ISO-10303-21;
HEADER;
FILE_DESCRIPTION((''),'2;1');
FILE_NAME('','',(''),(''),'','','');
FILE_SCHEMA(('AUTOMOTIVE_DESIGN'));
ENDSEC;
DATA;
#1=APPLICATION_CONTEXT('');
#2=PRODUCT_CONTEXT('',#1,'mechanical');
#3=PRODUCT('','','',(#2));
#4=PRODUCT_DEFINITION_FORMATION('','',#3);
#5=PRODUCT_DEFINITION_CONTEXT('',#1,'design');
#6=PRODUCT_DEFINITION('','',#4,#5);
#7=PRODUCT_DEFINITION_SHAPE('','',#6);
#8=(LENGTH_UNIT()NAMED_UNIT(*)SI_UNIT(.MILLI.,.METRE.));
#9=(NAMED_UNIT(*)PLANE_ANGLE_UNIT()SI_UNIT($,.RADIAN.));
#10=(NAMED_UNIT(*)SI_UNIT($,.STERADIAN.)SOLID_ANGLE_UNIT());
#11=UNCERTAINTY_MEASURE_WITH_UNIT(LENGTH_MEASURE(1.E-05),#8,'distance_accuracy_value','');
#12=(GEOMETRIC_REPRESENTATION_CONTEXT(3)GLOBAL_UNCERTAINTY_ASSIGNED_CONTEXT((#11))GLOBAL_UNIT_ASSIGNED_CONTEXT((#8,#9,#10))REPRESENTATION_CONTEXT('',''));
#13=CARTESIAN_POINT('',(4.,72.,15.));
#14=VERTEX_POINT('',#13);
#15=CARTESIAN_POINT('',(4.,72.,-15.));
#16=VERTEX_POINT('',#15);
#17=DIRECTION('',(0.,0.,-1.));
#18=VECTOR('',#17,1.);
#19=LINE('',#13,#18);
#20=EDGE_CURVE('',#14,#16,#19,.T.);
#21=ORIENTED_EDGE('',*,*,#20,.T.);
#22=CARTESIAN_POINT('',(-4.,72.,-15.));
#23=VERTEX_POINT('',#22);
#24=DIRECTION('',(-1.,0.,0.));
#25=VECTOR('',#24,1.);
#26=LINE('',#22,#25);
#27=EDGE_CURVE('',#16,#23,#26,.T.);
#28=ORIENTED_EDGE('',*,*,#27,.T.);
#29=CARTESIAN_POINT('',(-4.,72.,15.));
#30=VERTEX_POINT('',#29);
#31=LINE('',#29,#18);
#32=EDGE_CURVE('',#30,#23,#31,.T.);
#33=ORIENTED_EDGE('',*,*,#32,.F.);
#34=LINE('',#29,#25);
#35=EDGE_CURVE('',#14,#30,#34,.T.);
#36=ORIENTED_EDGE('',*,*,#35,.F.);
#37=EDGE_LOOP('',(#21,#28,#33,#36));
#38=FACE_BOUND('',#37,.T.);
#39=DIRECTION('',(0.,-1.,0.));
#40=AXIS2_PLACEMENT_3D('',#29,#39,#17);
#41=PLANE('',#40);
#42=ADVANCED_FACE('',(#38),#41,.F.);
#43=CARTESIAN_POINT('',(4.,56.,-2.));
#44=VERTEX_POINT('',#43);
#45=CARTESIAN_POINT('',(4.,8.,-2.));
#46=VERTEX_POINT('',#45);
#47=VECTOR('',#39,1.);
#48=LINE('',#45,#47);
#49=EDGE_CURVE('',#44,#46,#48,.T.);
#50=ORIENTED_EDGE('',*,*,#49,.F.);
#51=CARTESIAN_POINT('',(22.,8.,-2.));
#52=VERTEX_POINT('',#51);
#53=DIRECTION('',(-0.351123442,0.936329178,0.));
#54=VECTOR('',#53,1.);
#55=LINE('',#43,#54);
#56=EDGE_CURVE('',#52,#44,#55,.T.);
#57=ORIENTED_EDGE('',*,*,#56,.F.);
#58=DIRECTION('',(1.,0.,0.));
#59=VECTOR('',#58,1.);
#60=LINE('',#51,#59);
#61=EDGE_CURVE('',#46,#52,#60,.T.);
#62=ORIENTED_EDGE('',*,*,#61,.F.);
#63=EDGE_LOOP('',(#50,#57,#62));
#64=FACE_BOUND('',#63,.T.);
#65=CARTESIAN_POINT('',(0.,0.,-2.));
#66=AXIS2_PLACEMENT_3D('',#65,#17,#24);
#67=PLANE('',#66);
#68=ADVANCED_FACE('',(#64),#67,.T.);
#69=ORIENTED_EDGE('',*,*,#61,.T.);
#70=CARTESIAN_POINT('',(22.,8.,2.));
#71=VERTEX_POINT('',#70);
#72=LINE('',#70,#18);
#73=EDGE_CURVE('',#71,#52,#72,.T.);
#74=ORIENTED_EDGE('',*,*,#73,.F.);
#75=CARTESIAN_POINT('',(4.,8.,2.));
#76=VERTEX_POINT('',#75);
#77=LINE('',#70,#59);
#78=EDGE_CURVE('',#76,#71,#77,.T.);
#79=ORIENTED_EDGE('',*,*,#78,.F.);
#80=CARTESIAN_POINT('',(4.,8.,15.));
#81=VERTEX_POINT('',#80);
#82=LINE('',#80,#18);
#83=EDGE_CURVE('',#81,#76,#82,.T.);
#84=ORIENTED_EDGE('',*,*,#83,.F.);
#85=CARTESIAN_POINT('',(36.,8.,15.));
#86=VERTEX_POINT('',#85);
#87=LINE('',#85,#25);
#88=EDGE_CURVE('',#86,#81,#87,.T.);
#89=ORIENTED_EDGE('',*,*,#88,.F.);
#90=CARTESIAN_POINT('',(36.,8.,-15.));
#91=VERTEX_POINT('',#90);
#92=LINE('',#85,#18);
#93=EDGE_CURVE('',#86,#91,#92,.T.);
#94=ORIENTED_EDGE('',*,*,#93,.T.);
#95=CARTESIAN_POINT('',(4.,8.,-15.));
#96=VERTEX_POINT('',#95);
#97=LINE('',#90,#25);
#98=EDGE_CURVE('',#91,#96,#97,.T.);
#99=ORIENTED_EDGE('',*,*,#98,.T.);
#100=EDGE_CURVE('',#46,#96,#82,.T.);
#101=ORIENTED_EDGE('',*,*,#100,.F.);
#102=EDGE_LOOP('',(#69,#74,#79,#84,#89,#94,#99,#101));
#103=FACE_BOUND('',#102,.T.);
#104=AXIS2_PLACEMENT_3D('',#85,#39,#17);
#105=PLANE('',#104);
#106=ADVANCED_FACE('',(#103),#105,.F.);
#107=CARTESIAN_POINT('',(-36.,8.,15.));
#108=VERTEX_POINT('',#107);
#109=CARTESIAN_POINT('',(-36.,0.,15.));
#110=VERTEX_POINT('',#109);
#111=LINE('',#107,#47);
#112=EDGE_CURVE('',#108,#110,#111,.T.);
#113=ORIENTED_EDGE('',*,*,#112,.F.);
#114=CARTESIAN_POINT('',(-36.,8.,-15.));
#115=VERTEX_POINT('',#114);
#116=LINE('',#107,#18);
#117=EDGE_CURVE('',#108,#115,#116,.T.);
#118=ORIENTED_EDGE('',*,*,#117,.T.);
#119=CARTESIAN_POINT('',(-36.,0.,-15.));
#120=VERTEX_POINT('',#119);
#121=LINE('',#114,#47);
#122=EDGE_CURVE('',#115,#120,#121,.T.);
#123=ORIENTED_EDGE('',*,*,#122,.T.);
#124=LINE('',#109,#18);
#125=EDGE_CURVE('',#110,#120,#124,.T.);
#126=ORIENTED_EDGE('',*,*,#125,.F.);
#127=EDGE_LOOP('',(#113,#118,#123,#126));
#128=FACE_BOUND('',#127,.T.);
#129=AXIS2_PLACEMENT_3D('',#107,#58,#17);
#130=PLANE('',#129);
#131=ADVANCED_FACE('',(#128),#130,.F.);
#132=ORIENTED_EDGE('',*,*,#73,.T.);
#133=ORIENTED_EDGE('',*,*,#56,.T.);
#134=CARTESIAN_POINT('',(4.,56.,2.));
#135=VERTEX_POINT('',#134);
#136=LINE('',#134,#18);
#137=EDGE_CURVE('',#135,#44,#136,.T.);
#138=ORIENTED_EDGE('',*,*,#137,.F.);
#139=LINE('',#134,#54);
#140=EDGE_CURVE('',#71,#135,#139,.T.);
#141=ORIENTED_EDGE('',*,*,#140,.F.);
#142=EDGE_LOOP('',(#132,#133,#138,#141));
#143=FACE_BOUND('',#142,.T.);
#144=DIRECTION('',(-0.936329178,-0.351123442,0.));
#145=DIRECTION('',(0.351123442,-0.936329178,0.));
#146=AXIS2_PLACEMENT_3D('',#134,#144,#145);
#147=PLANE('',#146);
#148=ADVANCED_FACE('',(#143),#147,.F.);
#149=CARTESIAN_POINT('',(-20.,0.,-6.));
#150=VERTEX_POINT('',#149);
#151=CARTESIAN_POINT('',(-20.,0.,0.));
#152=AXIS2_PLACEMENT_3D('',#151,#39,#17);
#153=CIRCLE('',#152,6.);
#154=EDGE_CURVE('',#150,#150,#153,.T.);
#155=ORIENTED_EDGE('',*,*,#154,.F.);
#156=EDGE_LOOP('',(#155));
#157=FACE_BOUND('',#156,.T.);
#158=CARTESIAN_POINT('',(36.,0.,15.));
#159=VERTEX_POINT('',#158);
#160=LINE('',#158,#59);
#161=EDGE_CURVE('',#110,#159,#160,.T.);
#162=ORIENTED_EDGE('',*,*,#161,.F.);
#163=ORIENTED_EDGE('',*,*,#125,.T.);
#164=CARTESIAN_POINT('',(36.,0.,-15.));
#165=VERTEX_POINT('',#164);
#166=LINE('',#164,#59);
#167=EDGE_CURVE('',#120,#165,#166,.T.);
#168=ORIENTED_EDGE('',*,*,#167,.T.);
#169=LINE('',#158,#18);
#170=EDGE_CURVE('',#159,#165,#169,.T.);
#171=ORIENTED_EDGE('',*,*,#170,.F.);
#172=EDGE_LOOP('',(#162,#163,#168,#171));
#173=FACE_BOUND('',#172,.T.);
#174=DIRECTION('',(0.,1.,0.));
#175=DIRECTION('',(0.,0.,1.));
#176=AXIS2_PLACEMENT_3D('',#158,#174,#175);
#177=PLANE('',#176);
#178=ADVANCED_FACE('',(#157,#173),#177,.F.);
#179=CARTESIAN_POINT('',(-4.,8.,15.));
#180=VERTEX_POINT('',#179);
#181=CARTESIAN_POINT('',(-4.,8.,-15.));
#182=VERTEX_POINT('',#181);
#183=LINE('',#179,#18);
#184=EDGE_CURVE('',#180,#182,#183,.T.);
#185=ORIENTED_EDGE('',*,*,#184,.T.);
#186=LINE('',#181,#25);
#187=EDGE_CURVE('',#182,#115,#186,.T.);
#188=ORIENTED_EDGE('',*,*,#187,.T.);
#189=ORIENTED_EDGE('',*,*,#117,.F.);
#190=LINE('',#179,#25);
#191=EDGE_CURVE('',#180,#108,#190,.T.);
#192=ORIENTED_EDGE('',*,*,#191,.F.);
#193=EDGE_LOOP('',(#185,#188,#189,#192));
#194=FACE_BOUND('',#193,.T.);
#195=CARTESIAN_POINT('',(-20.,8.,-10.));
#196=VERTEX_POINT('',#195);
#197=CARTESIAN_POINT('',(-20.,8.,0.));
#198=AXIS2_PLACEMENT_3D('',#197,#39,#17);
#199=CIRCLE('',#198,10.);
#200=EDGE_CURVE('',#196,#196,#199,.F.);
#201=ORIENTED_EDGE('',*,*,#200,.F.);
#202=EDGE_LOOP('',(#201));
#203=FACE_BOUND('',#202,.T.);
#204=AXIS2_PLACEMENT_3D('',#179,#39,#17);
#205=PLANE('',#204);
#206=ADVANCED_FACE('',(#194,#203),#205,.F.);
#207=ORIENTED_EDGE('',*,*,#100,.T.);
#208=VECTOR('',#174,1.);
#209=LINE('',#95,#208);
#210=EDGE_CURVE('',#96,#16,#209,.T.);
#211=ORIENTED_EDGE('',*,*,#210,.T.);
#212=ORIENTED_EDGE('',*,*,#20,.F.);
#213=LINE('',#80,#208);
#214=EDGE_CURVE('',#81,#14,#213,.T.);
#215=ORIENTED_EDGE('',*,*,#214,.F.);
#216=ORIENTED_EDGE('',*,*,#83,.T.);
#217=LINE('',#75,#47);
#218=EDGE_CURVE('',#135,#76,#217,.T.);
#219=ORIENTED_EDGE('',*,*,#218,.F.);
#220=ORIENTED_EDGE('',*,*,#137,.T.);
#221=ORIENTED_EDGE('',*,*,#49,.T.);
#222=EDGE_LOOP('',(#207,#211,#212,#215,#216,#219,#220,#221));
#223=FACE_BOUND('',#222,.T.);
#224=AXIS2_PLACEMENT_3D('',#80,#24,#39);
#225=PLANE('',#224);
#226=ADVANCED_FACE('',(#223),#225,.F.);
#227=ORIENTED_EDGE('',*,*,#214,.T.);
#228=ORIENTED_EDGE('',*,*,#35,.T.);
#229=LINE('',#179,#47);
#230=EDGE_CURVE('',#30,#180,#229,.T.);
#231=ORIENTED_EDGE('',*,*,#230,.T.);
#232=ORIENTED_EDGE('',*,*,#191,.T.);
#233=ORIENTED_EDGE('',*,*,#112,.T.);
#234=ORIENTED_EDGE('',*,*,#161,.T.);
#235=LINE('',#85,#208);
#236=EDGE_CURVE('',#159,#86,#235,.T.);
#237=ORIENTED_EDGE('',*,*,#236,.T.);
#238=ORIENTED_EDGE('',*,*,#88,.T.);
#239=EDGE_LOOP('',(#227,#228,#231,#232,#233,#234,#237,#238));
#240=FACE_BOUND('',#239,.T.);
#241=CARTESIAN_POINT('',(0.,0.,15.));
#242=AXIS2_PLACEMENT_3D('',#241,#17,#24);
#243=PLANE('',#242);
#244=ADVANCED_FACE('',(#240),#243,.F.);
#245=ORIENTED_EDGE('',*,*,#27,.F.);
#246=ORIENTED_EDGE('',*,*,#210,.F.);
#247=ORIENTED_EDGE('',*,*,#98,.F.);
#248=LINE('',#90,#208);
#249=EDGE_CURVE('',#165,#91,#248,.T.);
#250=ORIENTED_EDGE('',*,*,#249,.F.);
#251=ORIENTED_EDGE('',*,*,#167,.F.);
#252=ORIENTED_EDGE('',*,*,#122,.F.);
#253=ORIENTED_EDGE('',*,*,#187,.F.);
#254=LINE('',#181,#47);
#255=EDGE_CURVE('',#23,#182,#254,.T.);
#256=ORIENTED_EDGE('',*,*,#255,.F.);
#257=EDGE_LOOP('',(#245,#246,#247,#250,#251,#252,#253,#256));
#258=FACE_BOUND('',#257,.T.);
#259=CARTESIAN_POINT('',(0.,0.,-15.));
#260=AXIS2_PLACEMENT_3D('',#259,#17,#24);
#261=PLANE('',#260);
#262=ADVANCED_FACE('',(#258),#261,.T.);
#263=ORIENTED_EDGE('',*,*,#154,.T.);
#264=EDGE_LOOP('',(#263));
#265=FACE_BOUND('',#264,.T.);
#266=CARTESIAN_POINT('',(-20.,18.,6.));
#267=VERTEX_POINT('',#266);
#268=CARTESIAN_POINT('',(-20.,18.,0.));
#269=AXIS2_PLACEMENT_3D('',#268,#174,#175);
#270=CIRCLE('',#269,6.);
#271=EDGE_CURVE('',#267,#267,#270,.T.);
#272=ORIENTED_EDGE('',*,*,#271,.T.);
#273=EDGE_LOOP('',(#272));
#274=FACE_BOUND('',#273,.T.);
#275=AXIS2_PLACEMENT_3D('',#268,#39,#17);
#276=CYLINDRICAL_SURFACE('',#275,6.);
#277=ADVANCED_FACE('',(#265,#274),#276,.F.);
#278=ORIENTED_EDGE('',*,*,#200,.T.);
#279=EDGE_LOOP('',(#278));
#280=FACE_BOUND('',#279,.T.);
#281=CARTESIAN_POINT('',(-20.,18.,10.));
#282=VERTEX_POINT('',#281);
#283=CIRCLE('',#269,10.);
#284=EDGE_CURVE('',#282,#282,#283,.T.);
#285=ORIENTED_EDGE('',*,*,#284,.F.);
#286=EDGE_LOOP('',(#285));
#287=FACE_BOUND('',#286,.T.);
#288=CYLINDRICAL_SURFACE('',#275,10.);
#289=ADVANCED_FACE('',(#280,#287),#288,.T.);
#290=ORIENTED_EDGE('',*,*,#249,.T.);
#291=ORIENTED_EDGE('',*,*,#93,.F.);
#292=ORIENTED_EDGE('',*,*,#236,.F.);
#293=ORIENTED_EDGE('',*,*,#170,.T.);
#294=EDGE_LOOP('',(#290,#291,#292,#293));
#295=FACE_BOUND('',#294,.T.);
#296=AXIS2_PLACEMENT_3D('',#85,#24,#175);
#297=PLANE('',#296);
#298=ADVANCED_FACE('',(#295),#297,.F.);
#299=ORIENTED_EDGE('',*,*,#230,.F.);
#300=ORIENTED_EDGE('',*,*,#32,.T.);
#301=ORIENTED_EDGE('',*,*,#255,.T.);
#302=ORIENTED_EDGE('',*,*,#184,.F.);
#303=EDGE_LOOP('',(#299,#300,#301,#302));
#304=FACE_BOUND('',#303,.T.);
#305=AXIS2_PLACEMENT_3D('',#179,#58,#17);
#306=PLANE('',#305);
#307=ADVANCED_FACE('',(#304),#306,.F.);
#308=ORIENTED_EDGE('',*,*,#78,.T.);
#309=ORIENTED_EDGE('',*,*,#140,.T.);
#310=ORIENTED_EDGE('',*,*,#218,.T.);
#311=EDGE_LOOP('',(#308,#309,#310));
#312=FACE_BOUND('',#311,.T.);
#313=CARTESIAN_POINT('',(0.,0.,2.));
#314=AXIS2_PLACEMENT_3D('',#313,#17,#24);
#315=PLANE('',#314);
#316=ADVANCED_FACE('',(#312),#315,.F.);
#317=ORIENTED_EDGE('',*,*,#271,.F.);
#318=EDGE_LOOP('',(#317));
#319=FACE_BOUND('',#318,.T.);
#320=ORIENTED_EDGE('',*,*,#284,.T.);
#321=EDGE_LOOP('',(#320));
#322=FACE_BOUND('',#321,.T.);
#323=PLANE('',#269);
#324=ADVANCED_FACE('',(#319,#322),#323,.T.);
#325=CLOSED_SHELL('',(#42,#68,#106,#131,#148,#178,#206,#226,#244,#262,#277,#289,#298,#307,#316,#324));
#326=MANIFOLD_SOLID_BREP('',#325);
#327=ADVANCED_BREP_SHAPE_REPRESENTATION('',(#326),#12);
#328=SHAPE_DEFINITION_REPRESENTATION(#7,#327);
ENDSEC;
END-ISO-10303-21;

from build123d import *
from build123d.topology import SkipClean

# Parameters (mm, degrees)
BOSS_EXTRUDE1_DEPTH = 15
BOSS_EXTRUDE2_DEPTH = 2
SKETCH3_R           = 10
SKETCH3_R_2         = 6
BOSS_EXTRUDE3_DEPTH = 10
SKETCH4_R           = 6
CUT_EXTRUDE1_DEPTH  = 10


with BuildPart() as part:
    # Sketch1 → Boss-Extrude1 (new, symmetric)
    with BuildSketch(Plane.XY):
        Polygon((36, 0), (-36, 0), (-36, 8), (-4, 8), (-4, 72), (4, 72), (4, 8), (36, 8), align=None)
    extrude(amount=BOSS_EXTRUDE1_DEPTH, both=True)

    # Sketch2 → Boss-Extrude2 (add, symmetric)
    with BuildSketch(Plane.XY):
        Polygon((4, 8), (4, 56), (22, 8), align=None)
    extrude(amount=BOSS_EXTRUDE2_DEPTH, both=True)

    # Sketch3 → Boss-Extrude3 (add)
    with BuildSketch(Plane(origin=(0, 8, 0), x_dir=(1, 0, 0), z_dir=(0, 1, 0))):
        with Locations(Location((-20, 0, 0), (0, 0, 90))):
            Circle(SKETCH3_R)
        with Locations(Location((-20, 0, 0), (0, 0, 270))):
            Circle(SKETCH3_R_2, mode=Mode.SUBTRACT)
    extrude(amount=BOSS_EXTRUDE3_DEPTH)

    # Sketch4 → Cut-Extrude1 (cut)
    with SkipClean():  # the faces are left unmerged after this step: merging them gives an invalid solid
        with BuildSketch(Plane.XZ):
            with Locations(Location((-20, 0, 0), (0, 0, 270))):
                Circle(SKETCH4_R)
        extrude(amount=-CUT_EXTRUDE1_DEPTH, mode=Mode.SUBTRACT)


solid = part.part
